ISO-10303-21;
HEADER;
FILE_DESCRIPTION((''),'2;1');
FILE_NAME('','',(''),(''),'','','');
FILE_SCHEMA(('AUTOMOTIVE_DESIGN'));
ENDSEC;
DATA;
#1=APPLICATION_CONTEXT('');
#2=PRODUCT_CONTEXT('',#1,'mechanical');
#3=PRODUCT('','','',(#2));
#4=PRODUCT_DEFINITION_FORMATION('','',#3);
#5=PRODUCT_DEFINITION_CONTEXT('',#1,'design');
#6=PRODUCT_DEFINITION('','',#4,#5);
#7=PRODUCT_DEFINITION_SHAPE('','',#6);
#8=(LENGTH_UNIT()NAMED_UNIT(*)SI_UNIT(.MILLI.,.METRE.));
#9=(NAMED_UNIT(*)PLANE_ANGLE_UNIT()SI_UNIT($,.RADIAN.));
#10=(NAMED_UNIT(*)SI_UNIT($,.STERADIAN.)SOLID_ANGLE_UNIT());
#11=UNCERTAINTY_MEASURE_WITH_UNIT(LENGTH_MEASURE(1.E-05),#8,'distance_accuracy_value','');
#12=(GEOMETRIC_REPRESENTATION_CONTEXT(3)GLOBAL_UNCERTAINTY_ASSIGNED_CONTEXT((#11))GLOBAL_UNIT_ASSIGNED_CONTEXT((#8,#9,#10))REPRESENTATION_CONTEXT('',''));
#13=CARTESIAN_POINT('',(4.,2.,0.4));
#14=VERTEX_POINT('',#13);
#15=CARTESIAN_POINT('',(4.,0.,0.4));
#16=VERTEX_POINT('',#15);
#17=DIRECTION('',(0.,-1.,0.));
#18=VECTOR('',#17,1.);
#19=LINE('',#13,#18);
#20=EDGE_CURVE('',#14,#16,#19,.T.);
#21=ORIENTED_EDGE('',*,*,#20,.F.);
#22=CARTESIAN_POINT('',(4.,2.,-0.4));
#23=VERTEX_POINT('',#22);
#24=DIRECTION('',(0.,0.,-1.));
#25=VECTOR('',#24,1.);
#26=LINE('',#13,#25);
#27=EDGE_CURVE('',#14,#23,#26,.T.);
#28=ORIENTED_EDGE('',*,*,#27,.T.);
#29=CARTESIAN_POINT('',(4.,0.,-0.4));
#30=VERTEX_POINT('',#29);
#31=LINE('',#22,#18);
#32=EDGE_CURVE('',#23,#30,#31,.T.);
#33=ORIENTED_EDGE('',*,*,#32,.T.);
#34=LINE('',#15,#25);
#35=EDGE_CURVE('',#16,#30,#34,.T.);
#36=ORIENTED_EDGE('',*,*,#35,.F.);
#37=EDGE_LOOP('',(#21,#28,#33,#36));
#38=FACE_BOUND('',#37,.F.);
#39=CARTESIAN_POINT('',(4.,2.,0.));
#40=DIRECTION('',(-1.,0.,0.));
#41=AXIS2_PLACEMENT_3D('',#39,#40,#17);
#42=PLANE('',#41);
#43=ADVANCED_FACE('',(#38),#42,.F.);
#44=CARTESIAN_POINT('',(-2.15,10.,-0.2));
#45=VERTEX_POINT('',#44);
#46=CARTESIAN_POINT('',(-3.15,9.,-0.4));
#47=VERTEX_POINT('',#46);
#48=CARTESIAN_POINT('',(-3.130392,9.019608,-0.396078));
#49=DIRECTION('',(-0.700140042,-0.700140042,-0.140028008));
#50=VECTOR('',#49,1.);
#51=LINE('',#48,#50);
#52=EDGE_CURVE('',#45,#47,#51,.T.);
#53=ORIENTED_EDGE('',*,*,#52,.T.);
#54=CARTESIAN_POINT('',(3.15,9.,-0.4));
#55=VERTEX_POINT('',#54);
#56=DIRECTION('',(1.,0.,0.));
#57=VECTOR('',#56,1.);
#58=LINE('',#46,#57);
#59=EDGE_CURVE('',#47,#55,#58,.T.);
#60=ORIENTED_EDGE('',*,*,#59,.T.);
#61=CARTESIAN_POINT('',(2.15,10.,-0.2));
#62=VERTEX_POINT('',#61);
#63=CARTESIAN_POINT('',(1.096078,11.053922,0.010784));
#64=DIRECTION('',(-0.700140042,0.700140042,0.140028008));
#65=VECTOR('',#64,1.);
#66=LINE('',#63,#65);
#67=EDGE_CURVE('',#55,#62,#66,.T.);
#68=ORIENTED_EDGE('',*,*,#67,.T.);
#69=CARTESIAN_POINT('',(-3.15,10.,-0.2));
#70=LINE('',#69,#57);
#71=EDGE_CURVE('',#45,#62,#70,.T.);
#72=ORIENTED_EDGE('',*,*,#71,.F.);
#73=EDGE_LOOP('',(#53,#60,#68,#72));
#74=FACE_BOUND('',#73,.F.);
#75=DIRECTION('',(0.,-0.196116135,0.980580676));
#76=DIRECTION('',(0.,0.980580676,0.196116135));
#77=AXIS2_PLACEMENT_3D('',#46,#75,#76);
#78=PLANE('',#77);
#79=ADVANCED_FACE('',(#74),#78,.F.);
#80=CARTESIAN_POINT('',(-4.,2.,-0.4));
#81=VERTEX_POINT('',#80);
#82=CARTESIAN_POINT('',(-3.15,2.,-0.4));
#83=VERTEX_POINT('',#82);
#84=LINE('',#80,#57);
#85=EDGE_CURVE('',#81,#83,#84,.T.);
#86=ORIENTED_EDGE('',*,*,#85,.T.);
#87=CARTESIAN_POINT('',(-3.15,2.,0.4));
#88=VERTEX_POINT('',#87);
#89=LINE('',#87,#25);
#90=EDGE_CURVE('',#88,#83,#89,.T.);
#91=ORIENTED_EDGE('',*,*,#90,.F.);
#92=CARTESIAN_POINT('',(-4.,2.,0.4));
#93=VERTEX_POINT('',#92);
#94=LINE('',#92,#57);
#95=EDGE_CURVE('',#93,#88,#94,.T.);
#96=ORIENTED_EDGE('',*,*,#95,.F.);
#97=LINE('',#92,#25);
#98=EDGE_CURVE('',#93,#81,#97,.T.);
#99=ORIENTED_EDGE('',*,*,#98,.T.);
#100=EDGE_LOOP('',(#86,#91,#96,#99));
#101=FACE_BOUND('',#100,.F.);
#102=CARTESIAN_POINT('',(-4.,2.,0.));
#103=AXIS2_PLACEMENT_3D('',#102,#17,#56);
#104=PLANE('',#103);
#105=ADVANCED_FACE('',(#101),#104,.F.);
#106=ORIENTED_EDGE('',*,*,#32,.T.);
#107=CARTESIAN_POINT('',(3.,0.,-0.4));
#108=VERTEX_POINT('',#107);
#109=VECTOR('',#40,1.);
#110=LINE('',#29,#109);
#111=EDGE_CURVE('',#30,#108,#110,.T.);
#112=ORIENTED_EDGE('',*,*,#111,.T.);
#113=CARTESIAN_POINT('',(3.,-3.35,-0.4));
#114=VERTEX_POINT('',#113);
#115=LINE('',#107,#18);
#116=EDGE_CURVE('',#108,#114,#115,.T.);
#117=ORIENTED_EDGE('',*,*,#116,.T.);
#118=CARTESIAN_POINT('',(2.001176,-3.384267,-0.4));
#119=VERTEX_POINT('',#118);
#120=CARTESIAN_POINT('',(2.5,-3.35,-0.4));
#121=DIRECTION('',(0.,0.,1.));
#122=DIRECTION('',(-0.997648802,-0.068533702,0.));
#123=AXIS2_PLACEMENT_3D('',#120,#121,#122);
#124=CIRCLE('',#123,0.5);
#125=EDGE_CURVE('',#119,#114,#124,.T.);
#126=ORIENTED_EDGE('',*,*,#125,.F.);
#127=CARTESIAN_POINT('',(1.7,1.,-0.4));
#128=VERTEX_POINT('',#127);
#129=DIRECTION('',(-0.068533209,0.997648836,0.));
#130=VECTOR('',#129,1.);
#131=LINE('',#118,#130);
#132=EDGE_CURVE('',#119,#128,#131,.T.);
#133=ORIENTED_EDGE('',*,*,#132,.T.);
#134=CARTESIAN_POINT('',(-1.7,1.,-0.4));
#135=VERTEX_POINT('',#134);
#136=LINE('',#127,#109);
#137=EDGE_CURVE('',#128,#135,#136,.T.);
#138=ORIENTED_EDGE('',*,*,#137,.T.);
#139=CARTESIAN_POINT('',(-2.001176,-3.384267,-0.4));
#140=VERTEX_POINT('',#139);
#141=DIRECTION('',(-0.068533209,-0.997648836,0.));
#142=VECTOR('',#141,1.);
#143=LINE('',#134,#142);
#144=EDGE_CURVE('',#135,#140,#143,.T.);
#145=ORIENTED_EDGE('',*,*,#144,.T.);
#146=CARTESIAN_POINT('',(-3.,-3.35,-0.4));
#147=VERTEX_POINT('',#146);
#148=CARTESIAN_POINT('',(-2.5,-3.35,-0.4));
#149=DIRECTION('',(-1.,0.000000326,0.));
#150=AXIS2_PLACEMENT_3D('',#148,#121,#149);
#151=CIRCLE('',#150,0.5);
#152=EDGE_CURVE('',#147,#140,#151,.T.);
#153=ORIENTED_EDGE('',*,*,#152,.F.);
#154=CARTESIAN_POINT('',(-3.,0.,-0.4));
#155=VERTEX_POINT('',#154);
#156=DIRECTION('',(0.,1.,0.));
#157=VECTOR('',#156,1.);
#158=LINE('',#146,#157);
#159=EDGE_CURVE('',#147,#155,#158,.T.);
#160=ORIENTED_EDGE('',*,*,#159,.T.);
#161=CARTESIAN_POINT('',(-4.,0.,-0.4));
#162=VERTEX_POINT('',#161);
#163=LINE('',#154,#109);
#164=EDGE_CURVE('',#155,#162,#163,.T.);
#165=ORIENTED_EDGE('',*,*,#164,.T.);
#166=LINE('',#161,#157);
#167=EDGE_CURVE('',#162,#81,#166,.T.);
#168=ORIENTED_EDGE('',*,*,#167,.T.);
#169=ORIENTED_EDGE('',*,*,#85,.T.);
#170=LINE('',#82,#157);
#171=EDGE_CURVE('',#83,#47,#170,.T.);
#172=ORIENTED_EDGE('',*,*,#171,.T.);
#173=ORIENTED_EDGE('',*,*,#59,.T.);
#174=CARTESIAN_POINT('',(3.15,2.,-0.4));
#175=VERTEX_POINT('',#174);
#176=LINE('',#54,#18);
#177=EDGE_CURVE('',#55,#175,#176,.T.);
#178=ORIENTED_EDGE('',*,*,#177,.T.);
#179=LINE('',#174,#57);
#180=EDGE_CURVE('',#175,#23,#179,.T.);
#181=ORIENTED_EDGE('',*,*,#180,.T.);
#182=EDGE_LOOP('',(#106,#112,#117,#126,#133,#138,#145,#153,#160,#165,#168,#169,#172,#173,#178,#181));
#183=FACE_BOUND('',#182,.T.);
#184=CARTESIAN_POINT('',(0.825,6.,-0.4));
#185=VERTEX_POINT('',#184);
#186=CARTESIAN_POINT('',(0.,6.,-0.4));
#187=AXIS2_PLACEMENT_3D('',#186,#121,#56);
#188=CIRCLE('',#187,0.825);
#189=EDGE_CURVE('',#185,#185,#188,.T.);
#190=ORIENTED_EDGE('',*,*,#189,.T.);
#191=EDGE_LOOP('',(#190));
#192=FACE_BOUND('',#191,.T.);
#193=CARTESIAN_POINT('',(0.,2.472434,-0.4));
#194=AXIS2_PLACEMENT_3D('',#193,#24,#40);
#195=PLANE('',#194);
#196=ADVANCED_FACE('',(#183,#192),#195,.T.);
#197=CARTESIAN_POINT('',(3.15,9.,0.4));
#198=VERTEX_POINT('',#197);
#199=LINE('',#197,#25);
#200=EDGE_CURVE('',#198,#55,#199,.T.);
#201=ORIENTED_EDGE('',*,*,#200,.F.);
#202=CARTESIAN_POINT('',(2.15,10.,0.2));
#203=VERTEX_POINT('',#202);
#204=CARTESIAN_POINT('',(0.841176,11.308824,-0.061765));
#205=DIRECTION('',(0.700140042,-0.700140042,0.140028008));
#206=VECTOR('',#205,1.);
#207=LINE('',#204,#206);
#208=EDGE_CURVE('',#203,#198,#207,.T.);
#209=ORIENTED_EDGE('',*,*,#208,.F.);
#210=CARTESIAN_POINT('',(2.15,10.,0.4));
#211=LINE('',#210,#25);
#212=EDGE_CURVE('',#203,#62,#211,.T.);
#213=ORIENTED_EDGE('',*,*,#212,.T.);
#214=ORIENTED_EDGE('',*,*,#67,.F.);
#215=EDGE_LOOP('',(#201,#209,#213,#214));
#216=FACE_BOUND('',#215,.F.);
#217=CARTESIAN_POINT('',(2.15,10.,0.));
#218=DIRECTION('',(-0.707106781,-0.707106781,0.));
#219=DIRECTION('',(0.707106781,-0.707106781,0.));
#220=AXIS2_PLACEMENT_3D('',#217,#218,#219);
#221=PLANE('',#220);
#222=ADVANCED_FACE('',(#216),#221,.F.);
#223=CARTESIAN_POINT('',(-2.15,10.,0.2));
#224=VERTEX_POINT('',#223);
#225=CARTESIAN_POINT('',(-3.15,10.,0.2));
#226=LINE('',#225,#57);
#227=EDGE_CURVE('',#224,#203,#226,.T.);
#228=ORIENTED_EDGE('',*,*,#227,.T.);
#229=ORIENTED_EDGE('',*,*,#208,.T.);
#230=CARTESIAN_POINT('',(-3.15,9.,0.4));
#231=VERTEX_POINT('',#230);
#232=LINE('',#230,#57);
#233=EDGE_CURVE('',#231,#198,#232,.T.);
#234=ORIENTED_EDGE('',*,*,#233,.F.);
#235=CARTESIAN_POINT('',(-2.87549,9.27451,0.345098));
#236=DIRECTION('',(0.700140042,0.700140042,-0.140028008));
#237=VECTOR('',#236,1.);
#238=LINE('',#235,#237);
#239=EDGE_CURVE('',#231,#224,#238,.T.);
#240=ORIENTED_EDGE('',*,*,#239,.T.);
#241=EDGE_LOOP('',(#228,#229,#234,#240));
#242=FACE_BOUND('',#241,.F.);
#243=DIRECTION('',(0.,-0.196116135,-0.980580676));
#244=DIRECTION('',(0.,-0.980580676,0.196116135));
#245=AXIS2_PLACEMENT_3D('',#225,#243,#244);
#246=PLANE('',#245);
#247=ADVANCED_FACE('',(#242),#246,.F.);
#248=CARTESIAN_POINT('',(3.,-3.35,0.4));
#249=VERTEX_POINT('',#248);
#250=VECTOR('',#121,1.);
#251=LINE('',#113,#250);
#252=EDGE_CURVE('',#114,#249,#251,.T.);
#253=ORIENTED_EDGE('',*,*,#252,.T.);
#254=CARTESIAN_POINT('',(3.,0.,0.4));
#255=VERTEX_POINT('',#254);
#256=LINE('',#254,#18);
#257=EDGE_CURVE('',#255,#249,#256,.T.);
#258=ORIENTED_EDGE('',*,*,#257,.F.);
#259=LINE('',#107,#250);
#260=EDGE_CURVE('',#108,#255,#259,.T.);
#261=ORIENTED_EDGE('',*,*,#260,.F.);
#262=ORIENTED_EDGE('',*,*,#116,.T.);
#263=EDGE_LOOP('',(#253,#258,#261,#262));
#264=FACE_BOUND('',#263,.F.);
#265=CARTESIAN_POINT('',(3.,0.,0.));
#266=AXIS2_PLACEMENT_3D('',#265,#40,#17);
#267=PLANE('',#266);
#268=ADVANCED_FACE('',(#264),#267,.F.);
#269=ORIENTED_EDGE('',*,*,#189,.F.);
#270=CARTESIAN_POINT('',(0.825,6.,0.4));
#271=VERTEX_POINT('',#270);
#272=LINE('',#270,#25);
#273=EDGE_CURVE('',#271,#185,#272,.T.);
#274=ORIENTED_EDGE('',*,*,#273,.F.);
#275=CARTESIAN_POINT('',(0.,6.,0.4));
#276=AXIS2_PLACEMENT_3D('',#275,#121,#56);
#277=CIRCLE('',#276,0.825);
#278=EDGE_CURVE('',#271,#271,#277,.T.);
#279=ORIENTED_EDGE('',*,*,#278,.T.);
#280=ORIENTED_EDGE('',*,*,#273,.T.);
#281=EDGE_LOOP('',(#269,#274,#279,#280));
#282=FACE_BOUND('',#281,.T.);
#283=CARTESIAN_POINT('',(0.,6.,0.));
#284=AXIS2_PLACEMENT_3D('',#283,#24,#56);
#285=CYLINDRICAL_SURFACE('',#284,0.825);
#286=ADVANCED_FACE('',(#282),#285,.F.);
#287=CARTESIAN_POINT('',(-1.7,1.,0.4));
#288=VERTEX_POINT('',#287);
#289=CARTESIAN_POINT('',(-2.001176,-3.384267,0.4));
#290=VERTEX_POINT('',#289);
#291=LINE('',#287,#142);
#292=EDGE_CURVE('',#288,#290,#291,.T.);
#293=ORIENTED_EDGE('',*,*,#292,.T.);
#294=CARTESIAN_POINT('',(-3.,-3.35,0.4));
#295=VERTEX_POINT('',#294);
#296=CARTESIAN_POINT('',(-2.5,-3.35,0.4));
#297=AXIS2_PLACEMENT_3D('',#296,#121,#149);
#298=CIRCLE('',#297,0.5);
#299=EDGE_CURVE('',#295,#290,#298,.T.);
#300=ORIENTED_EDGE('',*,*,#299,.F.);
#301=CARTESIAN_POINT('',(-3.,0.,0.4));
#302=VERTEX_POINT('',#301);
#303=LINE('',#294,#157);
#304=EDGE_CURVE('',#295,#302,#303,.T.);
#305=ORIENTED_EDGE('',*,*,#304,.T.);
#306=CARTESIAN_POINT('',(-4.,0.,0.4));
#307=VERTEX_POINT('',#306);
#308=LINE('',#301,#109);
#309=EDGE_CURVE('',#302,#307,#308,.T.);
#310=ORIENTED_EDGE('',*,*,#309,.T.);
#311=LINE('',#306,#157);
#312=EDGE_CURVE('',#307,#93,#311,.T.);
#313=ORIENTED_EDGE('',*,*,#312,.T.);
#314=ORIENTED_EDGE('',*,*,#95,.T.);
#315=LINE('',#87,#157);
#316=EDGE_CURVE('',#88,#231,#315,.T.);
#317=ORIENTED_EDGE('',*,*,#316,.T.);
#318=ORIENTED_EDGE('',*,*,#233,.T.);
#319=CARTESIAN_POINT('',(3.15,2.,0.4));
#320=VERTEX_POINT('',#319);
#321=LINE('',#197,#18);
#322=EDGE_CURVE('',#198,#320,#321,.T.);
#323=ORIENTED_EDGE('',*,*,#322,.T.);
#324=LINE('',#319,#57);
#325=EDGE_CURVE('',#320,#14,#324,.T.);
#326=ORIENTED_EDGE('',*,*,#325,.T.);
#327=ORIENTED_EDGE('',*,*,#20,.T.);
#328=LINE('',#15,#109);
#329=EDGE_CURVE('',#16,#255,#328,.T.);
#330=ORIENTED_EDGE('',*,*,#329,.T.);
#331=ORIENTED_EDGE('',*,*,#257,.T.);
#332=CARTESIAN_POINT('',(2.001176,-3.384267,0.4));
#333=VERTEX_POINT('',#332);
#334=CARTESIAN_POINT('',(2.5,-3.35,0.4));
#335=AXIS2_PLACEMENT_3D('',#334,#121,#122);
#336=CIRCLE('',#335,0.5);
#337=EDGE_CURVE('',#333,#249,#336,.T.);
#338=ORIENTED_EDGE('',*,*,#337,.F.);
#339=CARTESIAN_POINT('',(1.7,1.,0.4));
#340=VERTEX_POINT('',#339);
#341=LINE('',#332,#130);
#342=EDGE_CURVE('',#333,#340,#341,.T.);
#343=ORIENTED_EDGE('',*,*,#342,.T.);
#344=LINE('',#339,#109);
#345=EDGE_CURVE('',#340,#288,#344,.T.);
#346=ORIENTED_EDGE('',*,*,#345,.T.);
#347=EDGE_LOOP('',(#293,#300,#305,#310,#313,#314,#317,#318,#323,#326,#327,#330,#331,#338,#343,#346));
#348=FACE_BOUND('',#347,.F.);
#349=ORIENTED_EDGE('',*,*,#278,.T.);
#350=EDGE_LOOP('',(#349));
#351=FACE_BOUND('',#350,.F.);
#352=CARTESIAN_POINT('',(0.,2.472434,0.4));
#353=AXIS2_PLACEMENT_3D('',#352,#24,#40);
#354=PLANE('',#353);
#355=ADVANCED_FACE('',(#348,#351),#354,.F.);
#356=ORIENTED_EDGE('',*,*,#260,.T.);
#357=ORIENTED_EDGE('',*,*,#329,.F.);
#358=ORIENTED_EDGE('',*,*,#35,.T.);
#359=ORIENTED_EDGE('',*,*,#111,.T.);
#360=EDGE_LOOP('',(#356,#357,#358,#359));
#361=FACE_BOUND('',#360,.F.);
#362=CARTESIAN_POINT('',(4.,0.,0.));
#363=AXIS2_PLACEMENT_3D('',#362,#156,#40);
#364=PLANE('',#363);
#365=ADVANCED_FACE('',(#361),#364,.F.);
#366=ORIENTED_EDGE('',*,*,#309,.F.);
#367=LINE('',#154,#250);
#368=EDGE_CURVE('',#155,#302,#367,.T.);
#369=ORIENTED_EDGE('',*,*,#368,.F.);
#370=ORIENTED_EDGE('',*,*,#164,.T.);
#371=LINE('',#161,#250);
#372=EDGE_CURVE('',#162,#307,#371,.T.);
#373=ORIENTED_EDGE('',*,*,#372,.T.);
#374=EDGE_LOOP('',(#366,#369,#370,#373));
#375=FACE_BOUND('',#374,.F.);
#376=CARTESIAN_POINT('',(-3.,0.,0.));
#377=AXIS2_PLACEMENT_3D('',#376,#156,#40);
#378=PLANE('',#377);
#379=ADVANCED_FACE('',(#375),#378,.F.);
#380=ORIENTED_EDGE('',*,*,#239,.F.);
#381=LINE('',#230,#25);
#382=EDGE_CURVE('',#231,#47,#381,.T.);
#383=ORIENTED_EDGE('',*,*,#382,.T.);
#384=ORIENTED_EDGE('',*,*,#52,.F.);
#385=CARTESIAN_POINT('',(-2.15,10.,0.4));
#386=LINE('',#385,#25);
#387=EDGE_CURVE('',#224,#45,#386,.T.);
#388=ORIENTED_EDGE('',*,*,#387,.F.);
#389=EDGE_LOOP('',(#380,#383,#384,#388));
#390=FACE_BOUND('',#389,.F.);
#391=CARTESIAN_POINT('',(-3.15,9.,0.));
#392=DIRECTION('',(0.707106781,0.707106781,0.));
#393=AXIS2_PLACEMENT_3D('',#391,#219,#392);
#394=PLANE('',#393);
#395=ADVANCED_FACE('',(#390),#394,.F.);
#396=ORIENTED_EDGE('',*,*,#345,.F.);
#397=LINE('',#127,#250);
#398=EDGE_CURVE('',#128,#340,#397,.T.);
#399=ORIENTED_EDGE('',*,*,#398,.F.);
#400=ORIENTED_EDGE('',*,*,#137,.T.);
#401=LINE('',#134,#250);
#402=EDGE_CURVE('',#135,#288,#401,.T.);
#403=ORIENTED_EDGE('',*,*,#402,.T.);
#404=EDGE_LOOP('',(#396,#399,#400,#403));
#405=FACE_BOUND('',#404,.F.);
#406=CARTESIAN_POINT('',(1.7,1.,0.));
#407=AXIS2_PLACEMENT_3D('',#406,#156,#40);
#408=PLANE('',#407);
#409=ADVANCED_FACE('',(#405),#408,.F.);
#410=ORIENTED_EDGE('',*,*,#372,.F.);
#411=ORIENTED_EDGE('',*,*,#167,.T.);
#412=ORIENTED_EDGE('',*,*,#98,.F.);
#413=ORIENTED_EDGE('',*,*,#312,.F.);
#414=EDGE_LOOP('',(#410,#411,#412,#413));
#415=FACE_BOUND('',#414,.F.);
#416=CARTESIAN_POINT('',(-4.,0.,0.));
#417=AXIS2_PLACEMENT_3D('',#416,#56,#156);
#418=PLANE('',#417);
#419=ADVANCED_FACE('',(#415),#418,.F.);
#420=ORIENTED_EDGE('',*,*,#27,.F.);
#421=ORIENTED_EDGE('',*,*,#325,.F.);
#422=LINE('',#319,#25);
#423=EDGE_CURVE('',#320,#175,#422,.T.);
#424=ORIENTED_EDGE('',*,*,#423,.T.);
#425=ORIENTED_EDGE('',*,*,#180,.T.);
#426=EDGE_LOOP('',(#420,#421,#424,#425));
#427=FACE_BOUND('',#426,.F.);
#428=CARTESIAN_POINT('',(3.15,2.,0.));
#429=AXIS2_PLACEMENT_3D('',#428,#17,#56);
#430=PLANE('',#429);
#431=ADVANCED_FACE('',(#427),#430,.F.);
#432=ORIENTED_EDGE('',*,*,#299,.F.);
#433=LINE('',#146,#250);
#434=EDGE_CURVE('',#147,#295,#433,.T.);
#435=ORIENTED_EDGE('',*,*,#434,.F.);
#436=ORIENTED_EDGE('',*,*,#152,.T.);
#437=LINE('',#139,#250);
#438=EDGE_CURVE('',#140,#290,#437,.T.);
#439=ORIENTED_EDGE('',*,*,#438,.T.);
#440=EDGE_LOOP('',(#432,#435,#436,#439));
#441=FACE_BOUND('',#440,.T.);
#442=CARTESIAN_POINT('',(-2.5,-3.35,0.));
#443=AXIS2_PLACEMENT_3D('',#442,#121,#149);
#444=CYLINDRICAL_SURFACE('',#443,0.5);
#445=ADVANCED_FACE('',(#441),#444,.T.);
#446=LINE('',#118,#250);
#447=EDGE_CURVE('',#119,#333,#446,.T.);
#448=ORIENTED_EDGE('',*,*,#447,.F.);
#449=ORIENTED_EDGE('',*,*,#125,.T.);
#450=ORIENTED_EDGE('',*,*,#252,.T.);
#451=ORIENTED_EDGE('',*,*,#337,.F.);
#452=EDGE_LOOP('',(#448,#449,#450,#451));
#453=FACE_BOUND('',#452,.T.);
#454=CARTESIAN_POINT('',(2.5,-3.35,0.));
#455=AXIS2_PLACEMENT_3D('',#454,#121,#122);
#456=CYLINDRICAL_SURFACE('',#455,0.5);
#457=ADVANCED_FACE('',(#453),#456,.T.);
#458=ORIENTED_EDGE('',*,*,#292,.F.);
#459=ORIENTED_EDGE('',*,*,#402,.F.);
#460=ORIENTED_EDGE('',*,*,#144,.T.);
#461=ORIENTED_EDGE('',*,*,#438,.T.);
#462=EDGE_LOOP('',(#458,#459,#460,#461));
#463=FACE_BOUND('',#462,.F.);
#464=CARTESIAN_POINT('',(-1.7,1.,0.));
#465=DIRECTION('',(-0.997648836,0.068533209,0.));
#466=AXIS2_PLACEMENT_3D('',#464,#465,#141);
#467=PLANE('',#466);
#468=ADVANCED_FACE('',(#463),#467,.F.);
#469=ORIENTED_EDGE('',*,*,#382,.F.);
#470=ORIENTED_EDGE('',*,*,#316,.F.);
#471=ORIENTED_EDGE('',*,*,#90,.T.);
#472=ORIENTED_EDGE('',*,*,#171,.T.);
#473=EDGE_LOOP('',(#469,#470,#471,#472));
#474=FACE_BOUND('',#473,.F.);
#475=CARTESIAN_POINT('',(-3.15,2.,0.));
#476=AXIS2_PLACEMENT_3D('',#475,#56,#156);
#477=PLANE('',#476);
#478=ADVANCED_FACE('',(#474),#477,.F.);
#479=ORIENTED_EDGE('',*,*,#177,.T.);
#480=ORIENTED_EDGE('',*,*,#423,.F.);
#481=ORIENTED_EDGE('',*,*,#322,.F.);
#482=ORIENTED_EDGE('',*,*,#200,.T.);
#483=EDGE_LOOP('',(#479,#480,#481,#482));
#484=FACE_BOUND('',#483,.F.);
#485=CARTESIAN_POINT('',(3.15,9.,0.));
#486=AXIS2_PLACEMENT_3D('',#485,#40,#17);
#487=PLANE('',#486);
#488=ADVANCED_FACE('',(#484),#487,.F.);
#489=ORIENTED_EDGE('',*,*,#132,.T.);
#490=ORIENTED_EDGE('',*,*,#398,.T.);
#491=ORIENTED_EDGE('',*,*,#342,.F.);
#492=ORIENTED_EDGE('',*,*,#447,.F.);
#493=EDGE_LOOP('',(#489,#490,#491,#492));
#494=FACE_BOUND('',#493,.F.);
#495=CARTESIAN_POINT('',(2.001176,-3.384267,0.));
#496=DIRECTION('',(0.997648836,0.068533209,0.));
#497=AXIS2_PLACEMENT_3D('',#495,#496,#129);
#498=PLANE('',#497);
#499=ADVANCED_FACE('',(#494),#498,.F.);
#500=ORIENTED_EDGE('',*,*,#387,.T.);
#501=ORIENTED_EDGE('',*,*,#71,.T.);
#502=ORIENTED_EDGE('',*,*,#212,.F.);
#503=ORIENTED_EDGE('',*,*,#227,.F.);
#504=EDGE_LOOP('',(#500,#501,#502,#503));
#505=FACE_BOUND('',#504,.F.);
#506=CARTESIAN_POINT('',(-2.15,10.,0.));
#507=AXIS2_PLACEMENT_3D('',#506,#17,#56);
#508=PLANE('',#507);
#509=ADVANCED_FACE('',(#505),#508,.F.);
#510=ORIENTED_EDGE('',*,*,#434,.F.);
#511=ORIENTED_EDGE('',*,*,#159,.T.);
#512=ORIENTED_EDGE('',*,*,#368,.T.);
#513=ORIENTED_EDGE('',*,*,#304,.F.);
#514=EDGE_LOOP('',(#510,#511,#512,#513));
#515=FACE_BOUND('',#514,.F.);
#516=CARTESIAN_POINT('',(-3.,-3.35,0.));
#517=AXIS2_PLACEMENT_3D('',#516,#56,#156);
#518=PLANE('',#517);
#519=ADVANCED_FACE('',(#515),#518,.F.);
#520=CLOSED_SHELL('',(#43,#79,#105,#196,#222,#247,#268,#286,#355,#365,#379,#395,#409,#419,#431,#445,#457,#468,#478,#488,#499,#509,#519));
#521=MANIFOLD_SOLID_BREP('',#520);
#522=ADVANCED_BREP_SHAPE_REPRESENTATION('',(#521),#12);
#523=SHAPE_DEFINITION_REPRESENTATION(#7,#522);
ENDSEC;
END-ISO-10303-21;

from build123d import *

# Parameters (mm, degrees)
SKETCH_R     = 0.825
PAD_DEPTH    = 0.4
POCKET_DEPTH = 7.151


with BuildPart() as part:
    # Sketch → Pad (new body, symmetric)
    with BuildSketch(Plane.XY):
        with BuildLine():
            Line((-4, 0), (-4, 2))
            Line((-4, 2), (-3.15, 2))
            Line((-3.15, 2), (-3.15, 9))
            Line((-3.15, 9), (-2.15, 10))
            Line((-2.15, 10), (2.15, 10))
            Line((2.15, 10), (3.15, 9))
            Line((3.15, 9), (3.15, 2))
            Line((3.15, 2), (4, 2))
            Line((4, 2), (4, 0))
            Line((4, 0), (3, 0))
            Line((3, 0), (3, -3.35))
            ThreePointArc((2.001176, -3.384267), (2.517143, -3.849706), (3, -3.35))
            Line((2.001176, -3.384267), (1.7, 1))
            Line((1.7, 1), (-1.7, 1))
            Line((-1.7, 1), (-2.001176, -3.384267))
            ThreePointArc((-3, -3.35), (-2.517143, -3.849706), (-2.001176, -3.384267))
            Line((-3, -3.35), (-3, 0))
            Line((-3, 0), (-4, 0))
        make_face()
        with Locations((0, 6)):
            Circle(SKETCH_R, mode=Mode.SUBTRACT)
    extrude(amount=PAD_DEPTH, both=True)

    # Sketch001 (on Face3 of Pad) → Pocket (cut, through all)
    with BuildSketch(Plane(origin=(-3.15, 0, 0), x_dir=(0, -1, 0), z_dir=(-1, 0, 0))):
        Polygon((-9, 0.4), (-9, 1), (-11, 1), (-11, -1), (-9, -1), (-9, -0.4), (-10, -0.2), (-10, 0.2), align=None)
    extrude(amount=-POCKET_DEPTH, mode=Mode.SUBTRACT)


solid = part.part
